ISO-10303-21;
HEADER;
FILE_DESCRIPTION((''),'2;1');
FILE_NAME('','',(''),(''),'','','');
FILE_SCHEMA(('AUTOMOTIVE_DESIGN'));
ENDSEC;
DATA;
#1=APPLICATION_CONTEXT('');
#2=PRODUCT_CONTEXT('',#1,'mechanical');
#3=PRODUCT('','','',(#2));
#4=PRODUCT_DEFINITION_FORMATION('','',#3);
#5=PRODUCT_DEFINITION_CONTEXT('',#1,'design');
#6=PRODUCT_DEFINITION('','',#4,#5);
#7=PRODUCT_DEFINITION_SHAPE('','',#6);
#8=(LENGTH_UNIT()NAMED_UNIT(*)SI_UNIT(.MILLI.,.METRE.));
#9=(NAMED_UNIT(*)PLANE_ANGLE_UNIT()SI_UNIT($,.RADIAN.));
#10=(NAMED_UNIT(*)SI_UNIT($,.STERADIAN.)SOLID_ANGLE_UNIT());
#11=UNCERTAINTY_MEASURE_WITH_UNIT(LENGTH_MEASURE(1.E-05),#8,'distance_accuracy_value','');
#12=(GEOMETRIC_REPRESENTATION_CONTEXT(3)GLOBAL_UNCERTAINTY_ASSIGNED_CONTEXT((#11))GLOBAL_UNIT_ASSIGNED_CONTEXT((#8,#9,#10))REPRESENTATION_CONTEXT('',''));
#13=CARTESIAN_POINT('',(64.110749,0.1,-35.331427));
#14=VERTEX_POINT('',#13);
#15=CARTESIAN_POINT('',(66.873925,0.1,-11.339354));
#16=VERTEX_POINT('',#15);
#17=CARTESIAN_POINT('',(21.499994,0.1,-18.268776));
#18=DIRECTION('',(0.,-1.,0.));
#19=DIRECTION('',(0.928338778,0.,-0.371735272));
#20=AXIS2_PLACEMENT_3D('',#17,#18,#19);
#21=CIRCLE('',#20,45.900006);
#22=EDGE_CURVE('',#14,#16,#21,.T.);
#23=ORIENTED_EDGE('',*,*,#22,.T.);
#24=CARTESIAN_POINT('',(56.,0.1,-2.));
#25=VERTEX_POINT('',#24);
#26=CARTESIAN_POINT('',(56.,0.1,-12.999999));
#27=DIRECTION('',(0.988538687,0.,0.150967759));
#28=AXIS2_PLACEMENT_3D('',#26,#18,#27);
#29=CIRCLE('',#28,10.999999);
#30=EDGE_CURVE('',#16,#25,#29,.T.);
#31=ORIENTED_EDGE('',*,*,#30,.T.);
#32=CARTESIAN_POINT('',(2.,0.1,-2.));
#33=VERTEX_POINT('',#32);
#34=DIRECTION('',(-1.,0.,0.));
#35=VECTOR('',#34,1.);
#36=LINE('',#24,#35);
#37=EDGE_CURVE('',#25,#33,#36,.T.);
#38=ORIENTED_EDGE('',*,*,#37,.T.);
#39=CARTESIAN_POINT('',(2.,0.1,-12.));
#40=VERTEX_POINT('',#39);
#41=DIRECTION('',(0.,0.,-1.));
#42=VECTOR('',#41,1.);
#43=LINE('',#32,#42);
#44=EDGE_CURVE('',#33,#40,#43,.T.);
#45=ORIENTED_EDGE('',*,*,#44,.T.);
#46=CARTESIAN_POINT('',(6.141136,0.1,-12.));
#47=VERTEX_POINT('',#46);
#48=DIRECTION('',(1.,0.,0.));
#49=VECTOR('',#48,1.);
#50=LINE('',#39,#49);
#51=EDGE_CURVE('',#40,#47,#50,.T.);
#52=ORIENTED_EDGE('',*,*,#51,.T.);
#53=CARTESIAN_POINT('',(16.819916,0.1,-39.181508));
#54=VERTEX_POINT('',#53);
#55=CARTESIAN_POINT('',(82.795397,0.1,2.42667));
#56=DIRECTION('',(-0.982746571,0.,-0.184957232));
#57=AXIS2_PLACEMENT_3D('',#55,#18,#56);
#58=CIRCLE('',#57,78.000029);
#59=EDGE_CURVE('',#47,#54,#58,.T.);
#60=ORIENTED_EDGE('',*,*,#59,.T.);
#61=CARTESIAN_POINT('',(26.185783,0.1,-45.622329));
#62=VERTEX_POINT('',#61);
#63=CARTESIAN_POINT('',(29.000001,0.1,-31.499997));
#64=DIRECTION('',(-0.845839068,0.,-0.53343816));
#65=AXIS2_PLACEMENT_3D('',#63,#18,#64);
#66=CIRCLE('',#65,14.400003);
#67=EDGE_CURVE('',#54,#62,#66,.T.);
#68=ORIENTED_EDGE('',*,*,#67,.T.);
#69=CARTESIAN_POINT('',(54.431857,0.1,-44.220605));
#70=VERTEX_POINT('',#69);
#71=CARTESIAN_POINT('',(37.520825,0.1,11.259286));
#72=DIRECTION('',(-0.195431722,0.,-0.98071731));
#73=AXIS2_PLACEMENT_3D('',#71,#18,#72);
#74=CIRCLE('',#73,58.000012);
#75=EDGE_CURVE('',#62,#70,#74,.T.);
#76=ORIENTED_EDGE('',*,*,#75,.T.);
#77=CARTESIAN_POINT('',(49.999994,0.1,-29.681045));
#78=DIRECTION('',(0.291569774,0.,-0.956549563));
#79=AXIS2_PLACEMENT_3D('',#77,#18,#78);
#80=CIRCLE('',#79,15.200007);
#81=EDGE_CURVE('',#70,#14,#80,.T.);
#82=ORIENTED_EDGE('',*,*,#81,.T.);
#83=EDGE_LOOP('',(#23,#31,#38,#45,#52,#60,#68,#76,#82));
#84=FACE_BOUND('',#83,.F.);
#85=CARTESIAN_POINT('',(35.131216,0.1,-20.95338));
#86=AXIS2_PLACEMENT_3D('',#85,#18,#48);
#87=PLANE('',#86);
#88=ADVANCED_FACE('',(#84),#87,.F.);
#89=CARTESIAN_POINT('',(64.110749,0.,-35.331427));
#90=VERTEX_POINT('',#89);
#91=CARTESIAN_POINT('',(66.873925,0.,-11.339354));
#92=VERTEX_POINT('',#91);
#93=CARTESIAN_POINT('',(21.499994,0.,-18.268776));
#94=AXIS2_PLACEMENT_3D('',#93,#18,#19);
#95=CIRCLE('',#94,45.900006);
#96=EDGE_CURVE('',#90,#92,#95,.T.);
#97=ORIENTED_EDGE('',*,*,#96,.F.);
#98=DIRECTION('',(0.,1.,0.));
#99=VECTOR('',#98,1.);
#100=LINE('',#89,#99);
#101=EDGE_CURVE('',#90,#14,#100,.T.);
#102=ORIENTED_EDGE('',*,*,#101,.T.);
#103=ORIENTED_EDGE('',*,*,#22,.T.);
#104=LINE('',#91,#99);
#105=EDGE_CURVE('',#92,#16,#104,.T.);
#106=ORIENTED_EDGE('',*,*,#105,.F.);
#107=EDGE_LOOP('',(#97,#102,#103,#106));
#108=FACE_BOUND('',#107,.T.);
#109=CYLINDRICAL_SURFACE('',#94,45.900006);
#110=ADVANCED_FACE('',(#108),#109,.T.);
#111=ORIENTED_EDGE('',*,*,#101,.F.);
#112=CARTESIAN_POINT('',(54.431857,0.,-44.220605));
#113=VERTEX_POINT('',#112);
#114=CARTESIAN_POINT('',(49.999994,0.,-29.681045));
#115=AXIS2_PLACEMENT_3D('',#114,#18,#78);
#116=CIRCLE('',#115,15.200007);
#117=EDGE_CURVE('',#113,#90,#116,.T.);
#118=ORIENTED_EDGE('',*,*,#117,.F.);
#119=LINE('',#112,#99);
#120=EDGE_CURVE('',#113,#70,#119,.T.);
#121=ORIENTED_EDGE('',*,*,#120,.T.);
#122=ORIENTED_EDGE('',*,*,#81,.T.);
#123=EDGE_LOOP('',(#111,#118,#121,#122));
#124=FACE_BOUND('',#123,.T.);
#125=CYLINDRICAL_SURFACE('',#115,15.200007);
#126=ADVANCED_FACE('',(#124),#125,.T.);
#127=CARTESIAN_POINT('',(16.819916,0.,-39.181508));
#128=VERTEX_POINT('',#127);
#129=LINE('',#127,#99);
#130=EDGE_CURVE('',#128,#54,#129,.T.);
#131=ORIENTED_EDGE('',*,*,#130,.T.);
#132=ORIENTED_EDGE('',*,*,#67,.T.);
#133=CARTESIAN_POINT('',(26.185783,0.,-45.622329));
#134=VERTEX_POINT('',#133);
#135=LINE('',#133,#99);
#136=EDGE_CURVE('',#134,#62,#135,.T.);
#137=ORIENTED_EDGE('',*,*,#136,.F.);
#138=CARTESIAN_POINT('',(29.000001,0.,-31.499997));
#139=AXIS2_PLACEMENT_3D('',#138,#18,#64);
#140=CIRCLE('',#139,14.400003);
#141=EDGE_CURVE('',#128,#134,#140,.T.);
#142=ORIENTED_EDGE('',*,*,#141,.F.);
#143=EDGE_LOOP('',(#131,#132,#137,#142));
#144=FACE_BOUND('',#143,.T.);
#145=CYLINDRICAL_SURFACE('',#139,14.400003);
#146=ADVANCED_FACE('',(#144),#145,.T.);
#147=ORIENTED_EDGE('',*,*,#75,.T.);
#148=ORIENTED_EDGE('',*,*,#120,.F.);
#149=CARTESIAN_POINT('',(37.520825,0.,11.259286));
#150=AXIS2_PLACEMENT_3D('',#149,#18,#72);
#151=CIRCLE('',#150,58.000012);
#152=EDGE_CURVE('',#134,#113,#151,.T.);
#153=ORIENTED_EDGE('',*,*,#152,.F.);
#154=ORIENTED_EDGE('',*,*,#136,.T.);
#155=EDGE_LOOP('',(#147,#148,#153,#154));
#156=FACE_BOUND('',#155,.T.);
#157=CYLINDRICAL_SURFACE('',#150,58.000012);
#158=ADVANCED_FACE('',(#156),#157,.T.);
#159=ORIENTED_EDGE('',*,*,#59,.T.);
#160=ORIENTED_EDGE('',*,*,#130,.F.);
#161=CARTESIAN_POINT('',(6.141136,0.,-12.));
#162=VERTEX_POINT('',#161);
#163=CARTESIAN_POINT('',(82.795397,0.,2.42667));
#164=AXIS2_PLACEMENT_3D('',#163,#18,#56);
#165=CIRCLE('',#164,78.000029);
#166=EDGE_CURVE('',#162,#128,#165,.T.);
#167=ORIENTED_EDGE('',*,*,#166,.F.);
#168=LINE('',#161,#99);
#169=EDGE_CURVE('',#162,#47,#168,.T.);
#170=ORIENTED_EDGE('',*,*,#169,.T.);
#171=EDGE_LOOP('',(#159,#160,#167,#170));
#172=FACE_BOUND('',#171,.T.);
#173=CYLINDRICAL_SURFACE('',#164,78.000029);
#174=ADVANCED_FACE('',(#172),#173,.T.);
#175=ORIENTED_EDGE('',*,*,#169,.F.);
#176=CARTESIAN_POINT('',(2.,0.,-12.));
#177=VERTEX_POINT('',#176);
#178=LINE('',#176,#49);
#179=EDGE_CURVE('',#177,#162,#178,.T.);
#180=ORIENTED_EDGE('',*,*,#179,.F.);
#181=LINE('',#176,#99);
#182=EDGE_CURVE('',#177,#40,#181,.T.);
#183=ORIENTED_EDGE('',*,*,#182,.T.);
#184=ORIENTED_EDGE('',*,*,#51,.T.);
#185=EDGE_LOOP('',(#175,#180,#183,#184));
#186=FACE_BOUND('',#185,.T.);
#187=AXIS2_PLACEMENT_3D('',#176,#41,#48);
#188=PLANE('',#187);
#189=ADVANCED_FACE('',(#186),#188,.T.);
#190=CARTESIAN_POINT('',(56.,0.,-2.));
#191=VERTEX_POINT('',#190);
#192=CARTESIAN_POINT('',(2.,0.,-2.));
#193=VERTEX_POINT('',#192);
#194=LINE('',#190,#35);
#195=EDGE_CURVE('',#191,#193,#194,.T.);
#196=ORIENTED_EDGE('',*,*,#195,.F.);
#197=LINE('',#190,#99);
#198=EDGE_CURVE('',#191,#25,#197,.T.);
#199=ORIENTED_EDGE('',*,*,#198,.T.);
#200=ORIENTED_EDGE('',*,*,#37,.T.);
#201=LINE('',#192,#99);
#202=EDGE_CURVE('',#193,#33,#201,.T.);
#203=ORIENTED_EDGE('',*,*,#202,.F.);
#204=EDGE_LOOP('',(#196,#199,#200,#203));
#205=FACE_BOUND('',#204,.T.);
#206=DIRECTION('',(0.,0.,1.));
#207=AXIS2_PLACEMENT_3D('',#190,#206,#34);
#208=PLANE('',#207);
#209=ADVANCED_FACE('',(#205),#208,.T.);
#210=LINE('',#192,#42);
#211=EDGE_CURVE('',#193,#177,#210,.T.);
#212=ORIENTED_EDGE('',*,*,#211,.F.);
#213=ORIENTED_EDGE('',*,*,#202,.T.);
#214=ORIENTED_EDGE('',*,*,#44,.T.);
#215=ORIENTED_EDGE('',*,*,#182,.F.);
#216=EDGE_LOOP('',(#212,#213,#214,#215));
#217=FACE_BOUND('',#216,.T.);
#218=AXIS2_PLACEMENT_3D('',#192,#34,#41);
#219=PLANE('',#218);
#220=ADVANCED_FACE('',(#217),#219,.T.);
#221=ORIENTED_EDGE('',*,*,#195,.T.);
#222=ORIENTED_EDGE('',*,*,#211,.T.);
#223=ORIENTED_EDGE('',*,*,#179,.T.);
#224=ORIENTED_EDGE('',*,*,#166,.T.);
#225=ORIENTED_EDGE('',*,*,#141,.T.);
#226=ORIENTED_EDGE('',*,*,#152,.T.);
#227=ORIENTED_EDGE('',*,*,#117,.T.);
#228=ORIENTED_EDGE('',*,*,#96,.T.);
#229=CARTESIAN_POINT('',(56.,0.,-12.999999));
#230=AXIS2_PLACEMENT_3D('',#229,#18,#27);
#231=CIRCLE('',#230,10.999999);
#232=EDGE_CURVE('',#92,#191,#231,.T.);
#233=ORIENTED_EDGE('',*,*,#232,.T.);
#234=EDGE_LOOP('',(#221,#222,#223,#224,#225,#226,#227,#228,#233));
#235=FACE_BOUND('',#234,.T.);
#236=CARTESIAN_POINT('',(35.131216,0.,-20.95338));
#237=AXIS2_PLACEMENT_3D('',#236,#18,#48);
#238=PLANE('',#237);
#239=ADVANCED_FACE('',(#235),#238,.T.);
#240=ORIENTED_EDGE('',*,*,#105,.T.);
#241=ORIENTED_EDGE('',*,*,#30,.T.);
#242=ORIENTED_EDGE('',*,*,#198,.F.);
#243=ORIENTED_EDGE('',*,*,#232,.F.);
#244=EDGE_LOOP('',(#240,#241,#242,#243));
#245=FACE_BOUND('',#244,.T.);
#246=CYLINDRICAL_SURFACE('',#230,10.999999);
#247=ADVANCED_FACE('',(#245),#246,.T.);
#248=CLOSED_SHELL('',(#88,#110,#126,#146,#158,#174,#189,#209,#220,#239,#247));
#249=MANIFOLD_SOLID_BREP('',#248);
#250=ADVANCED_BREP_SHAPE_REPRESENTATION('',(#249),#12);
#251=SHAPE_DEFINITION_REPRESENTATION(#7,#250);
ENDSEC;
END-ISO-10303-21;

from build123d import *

# Parameters (mm, degrees)
F1_DEPTH = 0.1


with BuildPart() as f1:
    # F0 (on Front) → F1 (new body)
    with BuildSketch(Plane.XZ):
        with BuildLine():
            Line((56, -2), (2, -2))
            Line((2, -2), (2, -12))
            Line((2, -12), (6.141136, -12))
            ThreePointArc((6.141136, -12), (10.197054, -26.094991), (16.819916, -39.181508))
            ThreePointArc((16.819916, -39.181508), (20.840447, -43.365146), (26.185783, -45.622329))
            ThreePointArc((26.185783, -45.622329), (40.395564, -46.669439), (54.431857, -44.220605))
            ThreePointArc((54.431857, -44.220605), (60.281606, -40.876074), (64.110749, -35.331427))
            ThreePointArc((64.110749, -35.331427), (67.098581, -23.520382), (66.873925, -11.339354))
            ThreePointArc((66.873925, -11.339354), (63.167039, -4.655328), (56, -2))
        make_face()
    extrude(amount=-F1_DEPTH)


solid = f1.part
